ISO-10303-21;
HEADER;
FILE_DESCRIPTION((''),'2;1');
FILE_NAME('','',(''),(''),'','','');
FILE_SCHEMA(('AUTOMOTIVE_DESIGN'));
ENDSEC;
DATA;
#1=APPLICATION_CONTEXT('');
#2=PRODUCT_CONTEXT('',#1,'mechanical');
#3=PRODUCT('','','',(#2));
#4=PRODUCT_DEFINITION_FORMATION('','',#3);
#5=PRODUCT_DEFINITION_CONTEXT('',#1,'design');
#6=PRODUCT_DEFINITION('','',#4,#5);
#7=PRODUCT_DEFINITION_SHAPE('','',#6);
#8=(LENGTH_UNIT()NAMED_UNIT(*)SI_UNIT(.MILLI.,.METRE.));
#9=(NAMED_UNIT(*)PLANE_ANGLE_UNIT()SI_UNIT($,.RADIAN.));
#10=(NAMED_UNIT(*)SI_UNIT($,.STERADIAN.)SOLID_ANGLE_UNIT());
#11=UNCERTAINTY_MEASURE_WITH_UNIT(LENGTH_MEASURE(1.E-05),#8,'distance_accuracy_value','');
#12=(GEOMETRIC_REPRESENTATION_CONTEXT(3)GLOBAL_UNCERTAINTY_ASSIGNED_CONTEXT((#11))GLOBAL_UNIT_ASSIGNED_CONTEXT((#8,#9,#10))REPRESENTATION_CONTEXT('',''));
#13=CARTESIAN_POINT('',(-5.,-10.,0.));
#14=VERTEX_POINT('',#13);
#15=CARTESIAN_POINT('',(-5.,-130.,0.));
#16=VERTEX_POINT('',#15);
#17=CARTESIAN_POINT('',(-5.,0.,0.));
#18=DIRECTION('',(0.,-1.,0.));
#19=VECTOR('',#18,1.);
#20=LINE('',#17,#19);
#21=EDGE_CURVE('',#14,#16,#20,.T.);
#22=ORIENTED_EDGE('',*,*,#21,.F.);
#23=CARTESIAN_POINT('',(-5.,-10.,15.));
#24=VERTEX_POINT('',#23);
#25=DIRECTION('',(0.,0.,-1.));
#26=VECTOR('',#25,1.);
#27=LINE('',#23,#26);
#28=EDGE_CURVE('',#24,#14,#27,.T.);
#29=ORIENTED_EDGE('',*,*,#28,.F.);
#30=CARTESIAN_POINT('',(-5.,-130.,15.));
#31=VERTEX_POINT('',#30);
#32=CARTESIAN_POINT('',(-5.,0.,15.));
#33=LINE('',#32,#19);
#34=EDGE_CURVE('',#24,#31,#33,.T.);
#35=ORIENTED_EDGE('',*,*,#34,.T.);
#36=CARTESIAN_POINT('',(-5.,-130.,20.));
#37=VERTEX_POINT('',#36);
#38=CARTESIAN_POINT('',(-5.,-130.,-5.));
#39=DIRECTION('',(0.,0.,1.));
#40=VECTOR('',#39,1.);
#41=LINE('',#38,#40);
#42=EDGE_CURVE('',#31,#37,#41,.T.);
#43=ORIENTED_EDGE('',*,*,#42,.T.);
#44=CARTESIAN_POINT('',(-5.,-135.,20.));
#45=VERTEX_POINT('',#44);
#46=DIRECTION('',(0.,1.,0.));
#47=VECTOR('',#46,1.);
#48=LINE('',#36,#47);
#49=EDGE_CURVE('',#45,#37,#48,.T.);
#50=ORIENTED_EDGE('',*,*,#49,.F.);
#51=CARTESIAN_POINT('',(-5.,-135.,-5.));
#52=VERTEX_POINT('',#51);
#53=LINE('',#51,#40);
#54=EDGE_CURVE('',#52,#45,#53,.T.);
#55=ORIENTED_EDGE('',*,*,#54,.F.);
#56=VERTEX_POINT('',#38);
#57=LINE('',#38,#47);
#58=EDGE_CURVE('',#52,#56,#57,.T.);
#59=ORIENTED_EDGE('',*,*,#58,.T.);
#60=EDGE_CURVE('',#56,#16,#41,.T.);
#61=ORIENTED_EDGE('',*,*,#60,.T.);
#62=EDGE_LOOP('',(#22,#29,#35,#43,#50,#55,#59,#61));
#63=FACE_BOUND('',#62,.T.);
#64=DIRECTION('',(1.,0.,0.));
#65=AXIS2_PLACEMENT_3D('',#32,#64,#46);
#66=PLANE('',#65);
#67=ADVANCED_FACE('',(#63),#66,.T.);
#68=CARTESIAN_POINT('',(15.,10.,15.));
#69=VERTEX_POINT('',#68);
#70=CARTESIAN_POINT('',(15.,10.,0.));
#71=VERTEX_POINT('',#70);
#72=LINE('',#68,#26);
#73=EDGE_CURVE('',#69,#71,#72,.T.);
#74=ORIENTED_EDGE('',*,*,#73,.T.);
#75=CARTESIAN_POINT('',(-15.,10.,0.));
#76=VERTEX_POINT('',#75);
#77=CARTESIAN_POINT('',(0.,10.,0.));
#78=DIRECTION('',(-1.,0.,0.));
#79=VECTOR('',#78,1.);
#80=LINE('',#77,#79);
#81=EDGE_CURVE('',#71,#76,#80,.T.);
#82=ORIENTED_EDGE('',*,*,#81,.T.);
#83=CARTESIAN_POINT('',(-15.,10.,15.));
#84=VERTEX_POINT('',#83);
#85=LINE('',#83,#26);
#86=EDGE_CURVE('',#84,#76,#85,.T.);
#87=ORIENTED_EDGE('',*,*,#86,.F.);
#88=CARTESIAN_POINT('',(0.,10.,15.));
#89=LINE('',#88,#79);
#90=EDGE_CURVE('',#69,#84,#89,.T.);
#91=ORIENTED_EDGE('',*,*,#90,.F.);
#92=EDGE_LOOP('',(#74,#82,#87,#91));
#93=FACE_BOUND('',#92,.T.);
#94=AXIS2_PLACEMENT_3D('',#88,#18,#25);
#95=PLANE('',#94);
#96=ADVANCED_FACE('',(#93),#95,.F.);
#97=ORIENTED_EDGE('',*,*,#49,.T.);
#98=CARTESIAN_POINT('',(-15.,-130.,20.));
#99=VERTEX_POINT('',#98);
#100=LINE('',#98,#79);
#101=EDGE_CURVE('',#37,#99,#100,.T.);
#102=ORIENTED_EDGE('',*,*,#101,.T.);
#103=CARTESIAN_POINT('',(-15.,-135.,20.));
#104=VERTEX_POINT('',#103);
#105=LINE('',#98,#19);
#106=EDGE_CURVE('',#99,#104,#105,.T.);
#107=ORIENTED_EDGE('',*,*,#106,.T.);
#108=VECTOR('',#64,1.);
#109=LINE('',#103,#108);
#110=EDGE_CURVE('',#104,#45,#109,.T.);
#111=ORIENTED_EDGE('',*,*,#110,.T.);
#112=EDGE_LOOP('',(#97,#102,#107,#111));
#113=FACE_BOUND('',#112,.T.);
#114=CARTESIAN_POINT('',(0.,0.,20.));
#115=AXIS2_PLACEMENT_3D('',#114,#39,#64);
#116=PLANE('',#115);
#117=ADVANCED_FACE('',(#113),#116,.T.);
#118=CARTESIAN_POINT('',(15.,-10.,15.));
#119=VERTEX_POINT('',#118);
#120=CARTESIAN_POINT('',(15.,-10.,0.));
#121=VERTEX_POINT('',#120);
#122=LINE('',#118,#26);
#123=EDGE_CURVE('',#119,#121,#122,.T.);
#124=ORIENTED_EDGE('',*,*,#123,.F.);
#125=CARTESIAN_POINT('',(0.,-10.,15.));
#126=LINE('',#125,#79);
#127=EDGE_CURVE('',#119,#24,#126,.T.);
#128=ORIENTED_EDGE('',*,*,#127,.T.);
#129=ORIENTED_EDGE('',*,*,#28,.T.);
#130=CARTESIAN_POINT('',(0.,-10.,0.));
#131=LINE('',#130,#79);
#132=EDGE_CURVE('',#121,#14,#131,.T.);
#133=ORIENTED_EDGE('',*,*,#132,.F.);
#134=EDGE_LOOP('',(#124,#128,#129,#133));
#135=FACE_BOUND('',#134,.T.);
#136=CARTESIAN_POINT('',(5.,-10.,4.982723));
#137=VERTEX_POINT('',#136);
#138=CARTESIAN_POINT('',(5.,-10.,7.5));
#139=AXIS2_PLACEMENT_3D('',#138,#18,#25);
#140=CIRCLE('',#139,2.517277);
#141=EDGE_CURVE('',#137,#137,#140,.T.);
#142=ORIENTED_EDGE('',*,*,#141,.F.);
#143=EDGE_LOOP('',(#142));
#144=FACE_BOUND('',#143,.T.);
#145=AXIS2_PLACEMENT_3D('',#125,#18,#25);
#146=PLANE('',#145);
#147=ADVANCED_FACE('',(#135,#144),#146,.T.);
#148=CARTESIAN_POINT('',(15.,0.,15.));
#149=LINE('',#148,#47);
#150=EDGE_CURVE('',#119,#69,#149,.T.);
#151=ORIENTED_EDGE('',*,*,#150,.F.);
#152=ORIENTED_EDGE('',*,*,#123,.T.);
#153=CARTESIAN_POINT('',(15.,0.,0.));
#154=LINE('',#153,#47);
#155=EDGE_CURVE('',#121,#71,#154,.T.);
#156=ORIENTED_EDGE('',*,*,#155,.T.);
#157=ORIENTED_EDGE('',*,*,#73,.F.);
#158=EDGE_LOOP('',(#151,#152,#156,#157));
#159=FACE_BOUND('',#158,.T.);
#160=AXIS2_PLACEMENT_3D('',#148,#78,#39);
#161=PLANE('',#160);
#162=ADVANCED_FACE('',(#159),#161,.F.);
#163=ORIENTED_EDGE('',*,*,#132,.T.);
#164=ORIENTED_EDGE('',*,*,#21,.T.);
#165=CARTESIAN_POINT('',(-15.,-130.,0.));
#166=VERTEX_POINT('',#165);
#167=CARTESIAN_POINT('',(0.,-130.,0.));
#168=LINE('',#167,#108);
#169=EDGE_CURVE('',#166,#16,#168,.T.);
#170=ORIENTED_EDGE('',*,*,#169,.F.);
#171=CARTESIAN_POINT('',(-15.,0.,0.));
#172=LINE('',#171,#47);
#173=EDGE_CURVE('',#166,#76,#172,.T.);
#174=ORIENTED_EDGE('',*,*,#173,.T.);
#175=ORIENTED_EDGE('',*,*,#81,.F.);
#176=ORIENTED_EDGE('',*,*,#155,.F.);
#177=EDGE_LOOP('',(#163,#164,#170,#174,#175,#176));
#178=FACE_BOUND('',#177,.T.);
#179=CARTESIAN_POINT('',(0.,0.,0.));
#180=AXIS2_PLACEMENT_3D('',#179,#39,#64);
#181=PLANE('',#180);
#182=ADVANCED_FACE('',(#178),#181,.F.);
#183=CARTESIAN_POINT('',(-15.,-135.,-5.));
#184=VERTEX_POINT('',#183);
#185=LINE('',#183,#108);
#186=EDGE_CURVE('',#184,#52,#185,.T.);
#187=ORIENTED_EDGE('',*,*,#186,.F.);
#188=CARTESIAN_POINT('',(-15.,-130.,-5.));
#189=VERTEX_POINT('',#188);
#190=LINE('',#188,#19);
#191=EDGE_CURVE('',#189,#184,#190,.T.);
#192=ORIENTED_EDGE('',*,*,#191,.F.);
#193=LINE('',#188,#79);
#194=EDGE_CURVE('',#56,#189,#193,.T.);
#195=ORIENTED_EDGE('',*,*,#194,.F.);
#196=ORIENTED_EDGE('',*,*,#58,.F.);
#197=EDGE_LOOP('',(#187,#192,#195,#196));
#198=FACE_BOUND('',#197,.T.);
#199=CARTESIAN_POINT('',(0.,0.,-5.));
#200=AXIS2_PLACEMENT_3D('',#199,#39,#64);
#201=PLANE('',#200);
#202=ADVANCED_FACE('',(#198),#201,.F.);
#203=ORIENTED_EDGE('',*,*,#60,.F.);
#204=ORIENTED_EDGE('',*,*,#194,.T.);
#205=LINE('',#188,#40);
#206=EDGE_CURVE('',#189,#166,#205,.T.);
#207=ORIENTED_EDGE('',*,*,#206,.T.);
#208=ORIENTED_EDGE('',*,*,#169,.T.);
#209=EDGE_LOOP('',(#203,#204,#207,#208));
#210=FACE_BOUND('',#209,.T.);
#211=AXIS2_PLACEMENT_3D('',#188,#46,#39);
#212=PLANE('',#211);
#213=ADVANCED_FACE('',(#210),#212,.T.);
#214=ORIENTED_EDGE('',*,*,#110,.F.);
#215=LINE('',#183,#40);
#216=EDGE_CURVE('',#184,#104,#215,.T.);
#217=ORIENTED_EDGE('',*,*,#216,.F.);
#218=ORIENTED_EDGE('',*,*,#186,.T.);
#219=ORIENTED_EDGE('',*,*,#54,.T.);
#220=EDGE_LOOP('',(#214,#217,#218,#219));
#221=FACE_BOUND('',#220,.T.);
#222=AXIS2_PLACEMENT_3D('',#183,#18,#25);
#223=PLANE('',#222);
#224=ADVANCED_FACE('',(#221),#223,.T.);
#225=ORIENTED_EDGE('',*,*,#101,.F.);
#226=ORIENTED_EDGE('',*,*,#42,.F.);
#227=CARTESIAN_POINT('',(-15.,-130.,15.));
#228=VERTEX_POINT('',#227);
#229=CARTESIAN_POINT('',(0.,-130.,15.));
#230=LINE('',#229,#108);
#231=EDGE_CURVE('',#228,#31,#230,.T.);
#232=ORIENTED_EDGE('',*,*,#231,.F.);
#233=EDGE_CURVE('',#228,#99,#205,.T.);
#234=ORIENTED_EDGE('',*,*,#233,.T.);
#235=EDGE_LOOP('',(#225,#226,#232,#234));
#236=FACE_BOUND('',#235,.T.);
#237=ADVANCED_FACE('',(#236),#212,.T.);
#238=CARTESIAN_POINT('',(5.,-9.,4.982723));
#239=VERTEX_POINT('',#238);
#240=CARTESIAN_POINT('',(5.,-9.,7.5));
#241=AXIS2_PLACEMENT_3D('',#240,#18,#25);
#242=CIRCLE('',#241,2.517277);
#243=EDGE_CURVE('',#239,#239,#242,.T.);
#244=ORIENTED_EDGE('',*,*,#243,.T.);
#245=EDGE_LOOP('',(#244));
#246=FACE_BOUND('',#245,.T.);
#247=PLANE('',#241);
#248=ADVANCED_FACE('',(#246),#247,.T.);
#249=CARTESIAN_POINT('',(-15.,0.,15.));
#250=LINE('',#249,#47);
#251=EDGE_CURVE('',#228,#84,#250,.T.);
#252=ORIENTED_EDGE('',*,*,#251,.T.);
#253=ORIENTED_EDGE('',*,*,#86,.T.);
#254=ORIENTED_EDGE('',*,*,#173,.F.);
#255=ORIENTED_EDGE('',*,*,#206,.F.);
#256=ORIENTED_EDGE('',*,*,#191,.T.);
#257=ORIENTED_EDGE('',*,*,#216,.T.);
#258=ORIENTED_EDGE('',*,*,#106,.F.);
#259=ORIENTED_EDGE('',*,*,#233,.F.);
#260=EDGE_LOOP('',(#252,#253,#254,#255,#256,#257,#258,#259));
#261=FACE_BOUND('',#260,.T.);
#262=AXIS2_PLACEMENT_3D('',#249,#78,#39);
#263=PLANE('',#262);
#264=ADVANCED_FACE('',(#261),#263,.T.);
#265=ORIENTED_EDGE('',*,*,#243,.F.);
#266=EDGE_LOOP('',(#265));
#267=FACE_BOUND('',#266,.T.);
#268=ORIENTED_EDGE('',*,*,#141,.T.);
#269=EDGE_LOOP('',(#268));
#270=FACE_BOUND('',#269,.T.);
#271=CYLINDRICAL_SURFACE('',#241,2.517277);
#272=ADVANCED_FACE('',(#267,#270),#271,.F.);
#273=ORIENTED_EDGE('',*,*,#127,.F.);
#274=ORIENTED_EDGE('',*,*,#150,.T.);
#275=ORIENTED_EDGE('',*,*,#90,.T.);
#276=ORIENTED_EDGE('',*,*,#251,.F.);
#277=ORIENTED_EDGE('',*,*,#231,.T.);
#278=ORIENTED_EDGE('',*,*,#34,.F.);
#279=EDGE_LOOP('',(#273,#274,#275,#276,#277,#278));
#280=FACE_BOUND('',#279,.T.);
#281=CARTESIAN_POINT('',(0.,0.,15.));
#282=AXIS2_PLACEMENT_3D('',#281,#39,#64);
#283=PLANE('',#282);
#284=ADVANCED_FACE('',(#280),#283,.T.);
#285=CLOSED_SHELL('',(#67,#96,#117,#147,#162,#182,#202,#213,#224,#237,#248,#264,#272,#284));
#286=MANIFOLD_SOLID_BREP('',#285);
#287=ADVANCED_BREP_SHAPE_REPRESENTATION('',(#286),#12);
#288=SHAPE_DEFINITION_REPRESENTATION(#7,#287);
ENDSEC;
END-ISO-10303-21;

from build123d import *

# Parameters (mm, degrees)
SKETCH2_W                = 30
SKETCH2_H                = 20
SKETCH2_W_2              = 10
SKETCH2_H_2              = 120
BOSS_EXTRUDE1_DEPTH      = 15
SKETCH3_W                = 10
SKETCH3_H                = 5
BOSS_EXTRUDE2_DEPTH      = 5
BOSS_EXTRUDE2_DEPTH_BACK = 20
SKETCH5_R                = 2.517277228
CUT_EXTRUDE1_DEPTH       = 1


with BuildPart() as part:
    # Sketch2 → Boss-Extrude1 (new body)
    with BuildSketch(Plane.XY):
        Rectangle(SKETCH2_W, SKETCH2_H)
        with Locations((-10, -70)):
            Rectangle(SKETCH2_W_2, SKETCH2_H_2)
    extrude(amount=BOSS_EXTRUDE1_DEPTH)

    # Sketch3 → Boss-Extrude2 (add, two sides)
    with BuildSketch(Plane.XY.offset(15)) as boss_extrude2_sk:
        with Locations((-10, -132.5)):
            Rectangle(SKETCH3_W, SKETCH3_H)
    extrude(amount=BOSS_EXTRUDE2_DEPTH)
    extrude(boss_extrude2_sk.sketch, amount=-BOSS_EXTRUDE2_DEPTH_BACK)

    # Sketch5 → Cut-Extrude1 (cut)
    with BuildSketch(Plane.XZ.offset(10)):
        with Locations((5, 7.5)):
            Circle(SKETCH5_R)
    extrude(amount=-CUT_EXTRUDE1_DEPTH, mode=Mode.SUBTRACT)


solid = part.part
